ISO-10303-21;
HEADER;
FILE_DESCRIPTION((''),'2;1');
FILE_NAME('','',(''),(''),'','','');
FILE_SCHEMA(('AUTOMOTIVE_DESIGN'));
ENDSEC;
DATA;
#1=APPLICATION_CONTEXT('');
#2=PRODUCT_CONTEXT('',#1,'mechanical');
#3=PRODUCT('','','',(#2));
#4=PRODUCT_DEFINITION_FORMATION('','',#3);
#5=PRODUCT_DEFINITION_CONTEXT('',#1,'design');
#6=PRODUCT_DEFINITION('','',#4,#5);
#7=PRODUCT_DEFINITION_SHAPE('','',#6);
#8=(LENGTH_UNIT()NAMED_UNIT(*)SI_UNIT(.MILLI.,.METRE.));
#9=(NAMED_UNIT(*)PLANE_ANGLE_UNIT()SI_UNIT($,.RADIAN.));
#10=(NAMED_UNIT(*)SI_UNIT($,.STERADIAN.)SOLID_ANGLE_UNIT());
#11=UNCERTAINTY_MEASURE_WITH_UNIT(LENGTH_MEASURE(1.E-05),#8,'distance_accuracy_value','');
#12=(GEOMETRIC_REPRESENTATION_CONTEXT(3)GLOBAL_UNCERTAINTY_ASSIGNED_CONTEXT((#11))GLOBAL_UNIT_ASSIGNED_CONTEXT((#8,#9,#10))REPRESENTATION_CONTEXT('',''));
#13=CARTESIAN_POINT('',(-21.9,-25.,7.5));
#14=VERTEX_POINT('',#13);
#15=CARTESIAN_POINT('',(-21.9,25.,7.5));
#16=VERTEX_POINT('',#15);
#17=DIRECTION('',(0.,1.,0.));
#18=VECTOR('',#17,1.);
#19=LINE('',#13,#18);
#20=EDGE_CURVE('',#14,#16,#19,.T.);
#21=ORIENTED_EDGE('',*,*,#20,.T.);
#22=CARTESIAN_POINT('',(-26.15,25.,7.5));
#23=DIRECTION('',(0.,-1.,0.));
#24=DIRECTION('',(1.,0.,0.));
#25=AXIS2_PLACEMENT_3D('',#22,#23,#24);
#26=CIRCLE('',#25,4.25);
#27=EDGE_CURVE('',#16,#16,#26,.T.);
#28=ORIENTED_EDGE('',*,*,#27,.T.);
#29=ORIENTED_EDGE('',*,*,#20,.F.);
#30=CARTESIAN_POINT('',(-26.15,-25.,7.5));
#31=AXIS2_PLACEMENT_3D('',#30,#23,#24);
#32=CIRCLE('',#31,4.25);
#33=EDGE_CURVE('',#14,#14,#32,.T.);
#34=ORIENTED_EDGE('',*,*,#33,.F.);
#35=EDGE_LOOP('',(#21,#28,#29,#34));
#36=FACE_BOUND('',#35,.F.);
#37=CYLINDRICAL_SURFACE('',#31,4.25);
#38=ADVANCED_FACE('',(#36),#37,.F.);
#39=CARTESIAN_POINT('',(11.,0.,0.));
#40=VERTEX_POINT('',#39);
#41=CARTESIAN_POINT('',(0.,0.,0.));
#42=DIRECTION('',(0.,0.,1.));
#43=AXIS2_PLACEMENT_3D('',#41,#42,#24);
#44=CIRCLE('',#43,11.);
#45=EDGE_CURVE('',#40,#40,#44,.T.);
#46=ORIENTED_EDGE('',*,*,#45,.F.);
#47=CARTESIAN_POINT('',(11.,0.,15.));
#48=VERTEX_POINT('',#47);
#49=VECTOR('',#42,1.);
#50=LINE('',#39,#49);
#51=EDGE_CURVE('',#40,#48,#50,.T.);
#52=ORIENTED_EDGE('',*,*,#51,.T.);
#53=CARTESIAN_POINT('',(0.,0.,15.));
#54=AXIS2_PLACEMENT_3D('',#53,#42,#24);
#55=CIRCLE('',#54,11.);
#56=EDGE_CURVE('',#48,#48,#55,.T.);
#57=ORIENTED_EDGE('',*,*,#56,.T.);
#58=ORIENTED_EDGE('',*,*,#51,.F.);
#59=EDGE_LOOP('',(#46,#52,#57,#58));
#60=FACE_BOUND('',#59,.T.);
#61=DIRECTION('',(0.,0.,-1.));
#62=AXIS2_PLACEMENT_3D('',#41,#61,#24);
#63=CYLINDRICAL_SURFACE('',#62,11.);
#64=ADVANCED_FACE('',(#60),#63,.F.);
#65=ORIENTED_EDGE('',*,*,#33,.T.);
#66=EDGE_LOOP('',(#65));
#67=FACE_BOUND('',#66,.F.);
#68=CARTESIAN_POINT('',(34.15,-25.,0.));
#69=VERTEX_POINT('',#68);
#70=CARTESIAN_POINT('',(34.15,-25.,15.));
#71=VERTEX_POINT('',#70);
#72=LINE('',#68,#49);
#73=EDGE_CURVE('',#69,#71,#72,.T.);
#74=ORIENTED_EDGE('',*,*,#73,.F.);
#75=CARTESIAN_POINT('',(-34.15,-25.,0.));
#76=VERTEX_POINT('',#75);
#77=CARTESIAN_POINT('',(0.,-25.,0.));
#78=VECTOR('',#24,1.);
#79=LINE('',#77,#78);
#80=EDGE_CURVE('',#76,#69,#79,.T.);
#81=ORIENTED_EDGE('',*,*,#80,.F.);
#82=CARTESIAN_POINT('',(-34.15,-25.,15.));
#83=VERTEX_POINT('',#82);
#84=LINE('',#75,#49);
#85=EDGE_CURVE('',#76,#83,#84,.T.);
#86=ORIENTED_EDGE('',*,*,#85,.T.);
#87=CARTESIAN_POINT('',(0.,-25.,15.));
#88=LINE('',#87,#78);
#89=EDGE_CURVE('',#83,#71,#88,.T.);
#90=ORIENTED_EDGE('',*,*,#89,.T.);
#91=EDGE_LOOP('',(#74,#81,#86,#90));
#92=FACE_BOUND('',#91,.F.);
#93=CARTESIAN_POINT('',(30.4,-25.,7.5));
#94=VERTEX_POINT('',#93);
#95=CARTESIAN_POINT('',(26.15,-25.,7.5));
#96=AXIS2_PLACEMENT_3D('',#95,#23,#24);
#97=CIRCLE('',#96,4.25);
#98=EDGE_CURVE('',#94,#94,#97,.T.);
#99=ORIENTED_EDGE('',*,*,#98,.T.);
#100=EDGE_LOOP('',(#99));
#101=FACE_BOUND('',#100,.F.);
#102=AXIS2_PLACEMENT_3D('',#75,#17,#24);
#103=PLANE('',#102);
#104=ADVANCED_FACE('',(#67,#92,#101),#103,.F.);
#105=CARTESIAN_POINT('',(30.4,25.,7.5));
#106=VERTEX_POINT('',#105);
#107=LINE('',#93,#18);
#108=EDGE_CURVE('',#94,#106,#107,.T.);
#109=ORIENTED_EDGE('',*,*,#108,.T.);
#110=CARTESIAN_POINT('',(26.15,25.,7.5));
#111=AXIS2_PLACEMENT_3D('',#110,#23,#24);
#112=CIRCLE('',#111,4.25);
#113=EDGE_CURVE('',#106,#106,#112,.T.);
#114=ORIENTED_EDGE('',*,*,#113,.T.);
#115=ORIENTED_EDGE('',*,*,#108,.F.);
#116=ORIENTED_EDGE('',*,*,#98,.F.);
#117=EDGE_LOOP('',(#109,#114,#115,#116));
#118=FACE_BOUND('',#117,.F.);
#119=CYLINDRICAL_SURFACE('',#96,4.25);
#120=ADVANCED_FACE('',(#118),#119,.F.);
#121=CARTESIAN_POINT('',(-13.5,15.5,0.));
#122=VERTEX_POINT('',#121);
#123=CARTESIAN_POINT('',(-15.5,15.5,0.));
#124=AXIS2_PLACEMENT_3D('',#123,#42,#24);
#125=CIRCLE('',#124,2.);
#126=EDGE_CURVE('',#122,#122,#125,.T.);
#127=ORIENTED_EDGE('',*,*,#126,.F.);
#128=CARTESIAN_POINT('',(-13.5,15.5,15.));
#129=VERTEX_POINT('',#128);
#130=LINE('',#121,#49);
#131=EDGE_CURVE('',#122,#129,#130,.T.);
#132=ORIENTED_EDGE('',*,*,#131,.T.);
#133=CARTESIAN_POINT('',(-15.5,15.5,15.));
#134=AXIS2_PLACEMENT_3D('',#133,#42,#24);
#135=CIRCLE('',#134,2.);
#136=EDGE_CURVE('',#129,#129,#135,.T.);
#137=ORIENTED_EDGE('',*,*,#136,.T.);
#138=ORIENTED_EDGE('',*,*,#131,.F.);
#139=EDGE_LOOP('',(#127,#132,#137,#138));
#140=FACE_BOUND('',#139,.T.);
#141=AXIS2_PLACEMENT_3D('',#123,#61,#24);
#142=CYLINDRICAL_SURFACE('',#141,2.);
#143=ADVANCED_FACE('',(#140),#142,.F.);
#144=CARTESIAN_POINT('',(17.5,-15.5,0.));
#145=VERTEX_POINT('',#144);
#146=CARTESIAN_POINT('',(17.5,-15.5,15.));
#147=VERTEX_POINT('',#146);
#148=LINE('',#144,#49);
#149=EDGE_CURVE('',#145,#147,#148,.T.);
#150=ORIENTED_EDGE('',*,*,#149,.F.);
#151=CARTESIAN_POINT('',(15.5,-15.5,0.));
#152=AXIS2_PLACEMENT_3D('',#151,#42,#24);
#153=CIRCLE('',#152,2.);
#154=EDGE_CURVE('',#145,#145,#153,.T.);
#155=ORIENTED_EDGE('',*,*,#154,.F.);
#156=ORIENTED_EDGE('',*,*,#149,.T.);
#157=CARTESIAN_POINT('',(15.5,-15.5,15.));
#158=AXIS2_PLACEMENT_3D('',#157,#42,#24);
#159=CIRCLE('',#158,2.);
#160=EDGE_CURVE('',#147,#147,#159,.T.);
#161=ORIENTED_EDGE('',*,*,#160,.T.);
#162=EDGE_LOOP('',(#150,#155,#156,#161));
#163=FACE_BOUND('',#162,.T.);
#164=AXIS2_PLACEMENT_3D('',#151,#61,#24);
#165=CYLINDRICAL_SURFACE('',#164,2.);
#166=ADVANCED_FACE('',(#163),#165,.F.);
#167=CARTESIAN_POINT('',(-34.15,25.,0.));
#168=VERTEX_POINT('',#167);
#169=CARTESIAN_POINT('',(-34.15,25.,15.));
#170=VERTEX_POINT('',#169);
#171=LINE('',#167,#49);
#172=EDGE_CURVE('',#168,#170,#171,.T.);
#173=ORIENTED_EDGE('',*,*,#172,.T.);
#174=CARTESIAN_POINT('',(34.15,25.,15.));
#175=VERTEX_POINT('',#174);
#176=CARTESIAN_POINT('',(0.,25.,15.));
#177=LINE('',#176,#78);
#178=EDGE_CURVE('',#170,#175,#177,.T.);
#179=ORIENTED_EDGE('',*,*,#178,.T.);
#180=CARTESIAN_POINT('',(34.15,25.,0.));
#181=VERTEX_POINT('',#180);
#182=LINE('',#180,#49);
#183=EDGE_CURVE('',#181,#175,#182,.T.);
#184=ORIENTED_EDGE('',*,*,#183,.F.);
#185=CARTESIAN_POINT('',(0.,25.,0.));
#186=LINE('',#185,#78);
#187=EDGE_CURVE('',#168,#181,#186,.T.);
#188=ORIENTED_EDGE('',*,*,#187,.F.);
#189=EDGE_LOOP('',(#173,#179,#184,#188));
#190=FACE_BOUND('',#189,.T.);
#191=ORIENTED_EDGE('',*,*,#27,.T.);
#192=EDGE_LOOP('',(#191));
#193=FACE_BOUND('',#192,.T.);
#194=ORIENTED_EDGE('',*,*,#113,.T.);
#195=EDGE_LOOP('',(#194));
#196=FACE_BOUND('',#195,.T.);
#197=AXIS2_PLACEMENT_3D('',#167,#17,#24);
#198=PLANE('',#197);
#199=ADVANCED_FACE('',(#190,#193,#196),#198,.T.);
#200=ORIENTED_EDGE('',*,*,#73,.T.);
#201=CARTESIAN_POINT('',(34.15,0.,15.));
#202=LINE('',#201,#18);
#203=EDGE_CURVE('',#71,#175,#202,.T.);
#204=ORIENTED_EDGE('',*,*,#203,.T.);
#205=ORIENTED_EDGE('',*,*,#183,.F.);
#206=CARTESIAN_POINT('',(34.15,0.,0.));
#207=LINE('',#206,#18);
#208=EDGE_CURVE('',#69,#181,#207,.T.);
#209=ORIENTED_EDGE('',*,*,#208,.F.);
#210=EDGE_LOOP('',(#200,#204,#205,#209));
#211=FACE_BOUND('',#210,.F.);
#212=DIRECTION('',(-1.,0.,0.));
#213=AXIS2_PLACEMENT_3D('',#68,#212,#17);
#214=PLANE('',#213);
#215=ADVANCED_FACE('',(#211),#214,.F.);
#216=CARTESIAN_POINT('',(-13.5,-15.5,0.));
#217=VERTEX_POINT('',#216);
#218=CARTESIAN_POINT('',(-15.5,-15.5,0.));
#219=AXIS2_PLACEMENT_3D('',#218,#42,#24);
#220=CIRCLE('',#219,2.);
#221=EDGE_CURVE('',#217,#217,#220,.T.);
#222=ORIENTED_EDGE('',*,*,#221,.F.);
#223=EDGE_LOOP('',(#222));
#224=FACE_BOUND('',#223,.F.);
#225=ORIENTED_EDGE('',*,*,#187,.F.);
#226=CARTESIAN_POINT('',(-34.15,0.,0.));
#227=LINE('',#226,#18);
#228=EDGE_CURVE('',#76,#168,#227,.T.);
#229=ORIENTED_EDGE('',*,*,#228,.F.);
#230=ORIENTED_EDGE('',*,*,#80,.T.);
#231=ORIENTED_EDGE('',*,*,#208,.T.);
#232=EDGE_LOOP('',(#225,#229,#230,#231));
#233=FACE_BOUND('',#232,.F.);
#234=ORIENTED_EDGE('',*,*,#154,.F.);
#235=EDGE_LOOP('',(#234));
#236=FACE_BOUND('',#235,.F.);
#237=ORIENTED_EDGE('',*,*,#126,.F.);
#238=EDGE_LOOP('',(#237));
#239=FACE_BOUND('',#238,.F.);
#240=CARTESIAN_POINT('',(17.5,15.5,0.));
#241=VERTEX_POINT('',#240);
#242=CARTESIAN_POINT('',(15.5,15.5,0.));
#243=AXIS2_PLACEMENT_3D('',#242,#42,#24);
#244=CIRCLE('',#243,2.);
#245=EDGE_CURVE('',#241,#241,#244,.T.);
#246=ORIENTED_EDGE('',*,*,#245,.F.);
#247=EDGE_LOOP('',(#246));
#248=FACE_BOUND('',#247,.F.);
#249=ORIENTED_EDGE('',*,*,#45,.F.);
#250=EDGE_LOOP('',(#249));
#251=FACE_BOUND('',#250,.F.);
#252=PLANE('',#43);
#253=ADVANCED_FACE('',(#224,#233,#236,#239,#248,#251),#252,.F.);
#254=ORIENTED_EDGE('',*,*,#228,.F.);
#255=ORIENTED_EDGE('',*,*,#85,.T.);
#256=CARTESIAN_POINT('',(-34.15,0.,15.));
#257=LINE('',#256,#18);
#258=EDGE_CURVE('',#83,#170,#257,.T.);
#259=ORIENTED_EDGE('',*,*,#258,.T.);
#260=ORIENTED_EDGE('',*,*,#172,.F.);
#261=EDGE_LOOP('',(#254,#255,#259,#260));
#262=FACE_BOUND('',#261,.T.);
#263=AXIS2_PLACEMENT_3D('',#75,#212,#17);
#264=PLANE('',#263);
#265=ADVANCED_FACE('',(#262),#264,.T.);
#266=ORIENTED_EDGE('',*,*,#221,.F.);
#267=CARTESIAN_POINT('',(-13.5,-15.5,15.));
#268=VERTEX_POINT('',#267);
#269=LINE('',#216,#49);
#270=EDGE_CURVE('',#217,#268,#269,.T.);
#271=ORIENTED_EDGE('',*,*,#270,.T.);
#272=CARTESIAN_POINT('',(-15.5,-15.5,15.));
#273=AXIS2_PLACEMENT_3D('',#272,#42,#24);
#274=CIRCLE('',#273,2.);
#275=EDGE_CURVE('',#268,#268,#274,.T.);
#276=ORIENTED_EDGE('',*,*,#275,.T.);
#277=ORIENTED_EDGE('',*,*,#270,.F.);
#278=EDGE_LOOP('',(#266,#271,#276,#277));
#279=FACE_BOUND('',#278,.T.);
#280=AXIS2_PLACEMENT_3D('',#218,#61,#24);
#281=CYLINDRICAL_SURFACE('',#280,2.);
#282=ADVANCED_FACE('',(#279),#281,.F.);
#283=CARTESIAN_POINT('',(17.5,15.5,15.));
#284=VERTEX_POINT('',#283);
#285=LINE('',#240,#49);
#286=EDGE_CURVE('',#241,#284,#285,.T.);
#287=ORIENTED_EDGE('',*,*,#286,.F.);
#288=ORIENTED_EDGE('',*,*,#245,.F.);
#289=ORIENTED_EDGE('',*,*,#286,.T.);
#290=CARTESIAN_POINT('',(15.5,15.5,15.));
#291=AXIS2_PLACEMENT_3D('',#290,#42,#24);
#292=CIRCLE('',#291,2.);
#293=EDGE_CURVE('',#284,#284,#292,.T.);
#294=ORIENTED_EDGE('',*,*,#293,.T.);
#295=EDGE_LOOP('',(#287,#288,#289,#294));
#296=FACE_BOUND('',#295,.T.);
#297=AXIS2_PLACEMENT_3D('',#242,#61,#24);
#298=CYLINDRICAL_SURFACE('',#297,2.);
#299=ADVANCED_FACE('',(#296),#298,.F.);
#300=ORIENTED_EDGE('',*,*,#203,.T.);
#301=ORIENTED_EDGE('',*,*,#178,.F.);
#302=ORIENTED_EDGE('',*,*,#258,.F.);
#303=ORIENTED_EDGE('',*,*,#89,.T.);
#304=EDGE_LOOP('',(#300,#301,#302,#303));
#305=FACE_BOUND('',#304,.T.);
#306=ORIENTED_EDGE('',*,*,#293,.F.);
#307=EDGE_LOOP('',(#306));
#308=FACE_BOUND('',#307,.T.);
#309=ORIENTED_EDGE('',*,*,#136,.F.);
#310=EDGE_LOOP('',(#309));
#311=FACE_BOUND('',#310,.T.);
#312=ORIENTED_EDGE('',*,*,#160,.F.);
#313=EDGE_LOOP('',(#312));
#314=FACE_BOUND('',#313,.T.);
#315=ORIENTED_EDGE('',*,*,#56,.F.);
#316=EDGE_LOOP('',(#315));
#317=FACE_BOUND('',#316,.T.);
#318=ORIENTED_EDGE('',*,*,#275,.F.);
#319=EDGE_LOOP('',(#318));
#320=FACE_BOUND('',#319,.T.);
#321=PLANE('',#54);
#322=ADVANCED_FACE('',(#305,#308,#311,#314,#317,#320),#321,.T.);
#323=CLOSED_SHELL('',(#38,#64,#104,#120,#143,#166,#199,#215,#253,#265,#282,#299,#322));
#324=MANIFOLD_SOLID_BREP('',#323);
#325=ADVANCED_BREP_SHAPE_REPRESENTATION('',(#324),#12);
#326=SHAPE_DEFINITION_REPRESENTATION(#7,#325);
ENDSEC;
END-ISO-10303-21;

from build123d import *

# Parameters (mm, degrees)
F0_W     = 68.3
F0_H     = 50
F0_R     = 2
F0_R_2   = 11
F1_DEPTH = 15
F2_R     = 4.25
F3_DEPTH = 50


with BuildPart() as f1:
    # F0 (on Top) → F1 (new body)
    with BuildSketch(Plane.XY):
        Rectangle(F0_W, F0_H)
        with Locations((-15.5, -15.5)):
            Circle(F0_R, mode=Mode.SUBTRACT)
        with Locations((15.5, -15.5)):
            Circle(F0_R, mode=Mode.SUBTRACT)
        with Locations((-15.5, 15.5)):
            Circle(F0_R, mode=Mode.SUBTRACT)
        Circle(F0_R_2, mode=Mode.SUBTRACT)
        with Locations((15.5, 15.5)):
            Circle(F0_R, mode=Mode.SUBTRACT)
    extrude(amount=F1_DEPTH)

    # F2 (on face) → F3 (cut, through all)
    with BuildSketch(Plane.XZ.offset(25)):
        with Locations((-26.15, 7.5)):
            Circle(F2_R)
        with Locations((26.15, 7.5)):
            Circle(F2_R)
    extrude(amount=-F3_DEPTH, mode=Mode.SUBTRACT)


solid = f1.part
